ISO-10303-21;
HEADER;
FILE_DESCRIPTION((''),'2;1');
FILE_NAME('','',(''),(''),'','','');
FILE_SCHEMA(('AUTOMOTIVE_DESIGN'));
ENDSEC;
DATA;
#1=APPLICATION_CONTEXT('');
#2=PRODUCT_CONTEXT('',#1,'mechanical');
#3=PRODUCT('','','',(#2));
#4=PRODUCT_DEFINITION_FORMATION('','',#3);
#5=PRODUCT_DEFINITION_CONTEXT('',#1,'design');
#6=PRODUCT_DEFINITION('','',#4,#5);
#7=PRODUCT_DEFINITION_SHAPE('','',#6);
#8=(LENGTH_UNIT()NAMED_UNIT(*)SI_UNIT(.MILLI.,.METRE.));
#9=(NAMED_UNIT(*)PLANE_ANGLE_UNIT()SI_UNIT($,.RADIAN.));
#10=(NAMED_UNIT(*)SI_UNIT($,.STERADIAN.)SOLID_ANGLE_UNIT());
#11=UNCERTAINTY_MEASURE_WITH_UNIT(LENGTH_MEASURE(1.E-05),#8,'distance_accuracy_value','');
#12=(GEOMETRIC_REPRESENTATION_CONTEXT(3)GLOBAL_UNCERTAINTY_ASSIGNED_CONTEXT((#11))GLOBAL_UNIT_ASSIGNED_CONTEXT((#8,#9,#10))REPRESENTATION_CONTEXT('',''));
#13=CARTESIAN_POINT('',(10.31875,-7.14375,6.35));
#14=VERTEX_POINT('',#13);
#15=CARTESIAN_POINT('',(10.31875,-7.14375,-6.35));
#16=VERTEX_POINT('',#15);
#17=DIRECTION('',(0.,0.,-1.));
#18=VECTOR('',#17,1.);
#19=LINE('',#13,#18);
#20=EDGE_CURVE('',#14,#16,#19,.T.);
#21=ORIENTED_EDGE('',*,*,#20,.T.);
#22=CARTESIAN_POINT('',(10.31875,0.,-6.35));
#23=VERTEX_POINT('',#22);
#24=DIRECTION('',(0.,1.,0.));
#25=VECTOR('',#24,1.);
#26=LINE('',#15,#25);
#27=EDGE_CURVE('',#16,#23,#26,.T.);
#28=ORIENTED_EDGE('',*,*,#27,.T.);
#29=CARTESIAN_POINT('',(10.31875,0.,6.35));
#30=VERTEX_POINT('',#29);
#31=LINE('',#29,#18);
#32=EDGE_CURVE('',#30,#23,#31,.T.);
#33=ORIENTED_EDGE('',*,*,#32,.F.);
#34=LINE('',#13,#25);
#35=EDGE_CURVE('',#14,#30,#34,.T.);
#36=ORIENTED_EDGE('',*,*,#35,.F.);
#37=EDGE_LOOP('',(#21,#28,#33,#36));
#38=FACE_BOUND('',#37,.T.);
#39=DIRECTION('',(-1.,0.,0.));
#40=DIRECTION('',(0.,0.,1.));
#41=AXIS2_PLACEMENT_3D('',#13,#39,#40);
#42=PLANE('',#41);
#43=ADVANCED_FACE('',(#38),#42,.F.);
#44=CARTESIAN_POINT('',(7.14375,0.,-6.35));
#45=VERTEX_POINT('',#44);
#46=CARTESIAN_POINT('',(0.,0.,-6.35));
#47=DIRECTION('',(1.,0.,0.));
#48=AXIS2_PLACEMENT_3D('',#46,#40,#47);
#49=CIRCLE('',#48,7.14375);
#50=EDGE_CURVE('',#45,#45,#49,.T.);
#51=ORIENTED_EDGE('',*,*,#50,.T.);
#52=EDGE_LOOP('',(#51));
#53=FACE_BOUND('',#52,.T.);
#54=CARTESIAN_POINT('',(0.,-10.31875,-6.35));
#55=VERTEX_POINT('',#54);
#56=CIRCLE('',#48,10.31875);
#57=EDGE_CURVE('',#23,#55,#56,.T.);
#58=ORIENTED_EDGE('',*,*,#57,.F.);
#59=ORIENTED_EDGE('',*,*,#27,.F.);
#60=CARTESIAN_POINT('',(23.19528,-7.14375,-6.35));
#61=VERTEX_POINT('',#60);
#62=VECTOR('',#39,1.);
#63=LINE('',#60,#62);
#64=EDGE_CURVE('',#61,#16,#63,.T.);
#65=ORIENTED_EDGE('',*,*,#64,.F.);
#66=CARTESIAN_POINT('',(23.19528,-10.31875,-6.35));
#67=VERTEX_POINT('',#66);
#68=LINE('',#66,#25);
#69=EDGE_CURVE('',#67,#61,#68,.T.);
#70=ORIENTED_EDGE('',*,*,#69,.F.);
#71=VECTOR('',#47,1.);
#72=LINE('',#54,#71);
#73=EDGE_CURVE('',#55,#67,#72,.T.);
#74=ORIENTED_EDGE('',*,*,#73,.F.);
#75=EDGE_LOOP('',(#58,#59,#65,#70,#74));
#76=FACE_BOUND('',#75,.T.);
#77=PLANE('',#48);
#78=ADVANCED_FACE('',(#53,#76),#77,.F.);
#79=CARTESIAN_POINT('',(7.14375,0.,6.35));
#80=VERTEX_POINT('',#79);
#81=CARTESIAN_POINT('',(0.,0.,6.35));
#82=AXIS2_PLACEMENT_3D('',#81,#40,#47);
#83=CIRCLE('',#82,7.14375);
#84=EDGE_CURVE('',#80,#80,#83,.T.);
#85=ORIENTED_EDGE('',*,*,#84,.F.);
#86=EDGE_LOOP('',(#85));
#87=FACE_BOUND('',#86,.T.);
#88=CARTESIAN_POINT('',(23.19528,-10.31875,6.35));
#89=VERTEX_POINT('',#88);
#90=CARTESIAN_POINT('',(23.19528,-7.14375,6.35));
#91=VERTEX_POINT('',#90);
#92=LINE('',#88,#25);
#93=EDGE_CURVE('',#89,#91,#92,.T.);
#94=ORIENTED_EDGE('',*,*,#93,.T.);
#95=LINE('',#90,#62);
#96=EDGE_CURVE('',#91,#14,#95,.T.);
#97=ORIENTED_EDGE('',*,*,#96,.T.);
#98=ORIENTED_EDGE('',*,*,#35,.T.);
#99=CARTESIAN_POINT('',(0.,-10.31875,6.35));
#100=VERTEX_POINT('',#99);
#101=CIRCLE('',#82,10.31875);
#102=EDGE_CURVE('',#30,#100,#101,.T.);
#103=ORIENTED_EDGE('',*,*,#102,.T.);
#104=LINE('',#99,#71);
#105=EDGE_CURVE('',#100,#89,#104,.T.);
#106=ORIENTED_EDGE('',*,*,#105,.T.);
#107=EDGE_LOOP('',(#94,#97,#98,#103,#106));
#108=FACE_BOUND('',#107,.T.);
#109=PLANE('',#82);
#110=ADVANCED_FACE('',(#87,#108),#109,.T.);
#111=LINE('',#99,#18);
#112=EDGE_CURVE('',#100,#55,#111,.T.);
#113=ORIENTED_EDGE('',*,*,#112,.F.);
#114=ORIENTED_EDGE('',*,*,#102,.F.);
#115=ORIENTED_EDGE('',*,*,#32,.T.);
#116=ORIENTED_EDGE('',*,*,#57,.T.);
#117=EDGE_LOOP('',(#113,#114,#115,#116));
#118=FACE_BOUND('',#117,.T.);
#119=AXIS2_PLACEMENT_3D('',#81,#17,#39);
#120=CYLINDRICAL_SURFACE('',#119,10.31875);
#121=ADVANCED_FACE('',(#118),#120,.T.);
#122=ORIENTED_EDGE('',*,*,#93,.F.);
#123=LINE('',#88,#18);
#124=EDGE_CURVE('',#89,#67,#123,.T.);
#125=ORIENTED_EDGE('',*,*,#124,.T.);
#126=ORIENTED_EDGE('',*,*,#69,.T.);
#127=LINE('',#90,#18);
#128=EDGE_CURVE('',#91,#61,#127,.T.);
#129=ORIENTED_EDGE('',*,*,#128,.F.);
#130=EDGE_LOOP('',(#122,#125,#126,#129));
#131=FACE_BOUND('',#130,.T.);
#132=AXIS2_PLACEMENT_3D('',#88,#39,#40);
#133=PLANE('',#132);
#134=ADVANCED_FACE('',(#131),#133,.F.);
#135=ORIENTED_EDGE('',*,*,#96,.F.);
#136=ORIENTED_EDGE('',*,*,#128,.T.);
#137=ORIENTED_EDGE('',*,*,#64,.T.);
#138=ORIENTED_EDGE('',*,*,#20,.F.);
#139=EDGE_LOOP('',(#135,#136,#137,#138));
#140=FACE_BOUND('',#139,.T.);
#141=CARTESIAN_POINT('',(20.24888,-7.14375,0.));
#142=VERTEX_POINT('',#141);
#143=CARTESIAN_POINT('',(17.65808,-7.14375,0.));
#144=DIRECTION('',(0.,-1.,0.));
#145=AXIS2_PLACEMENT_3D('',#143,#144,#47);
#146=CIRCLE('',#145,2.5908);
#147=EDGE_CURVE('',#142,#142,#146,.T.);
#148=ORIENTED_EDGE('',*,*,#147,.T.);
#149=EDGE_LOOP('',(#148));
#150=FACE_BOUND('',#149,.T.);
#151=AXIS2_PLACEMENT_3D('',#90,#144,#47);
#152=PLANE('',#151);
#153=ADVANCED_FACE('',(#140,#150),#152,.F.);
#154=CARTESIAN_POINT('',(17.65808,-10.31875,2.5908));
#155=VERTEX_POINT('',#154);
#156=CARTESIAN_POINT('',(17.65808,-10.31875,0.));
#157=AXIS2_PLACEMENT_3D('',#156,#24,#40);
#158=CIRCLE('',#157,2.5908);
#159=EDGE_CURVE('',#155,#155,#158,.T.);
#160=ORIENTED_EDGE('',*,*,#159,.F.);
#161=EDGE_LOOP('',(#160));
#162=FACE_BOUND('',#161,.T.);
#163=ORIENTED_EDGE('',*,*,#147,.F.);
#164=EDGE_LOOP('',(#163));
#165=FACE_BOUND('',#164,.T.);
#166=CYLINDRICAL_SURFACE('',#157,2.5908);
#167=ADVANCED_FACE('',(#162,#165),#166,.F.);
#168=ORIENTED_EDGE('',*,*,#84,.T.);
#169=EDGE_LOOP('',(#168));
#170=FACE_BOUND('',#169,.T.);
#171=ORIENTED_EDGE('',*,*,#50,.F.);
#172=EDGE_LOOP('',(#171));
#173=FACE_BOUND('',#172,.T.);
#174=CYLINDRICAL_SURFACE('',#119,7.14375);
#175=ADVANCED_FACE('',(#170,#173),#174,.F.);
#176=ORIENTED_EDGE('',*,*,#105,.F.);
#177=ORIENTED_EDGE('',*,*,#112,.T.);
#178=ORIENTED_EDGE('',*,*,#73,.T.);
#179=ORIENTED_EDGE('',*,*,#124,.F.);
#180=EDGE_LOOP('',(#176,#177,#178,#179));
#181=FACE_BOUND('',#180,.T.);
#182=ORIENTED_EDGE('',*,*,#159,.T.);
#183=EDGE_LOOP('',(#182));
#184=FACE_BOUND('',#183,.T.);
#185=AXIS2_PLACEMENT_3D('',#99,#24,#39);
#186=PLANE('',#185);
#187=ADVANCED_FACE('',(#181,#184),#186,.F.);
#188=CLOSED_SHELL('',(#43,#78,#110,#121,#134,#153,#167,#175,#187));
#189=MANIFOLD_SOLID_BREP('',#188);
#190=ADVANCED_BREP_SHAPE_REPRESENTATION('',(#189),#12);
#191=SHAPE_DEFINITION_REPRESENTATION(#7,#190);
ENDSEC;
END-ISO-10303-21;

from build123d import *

# Parameters (mm, degrees)
SKETCH1_R           = 7.14375
BOSS_EXTRUDE1_DEPTH = 6.35
SKETCH2_R           = 2.5908
CUT_EXTRUDE1_DEPTH  = 11.31875


with BuildPart() as part:
    # Sketch1 → Boss-Extrude1 (new body, symmetric)
    with BuildSketch(Plane.XY):
        with BuildLine():
            Line((0, -10.31875), (23.19528, -10.31875))
            Line((23.19528, -10.31875), (23.19528, -7.14375))
            Line((23.19528, -7.14375), (10.31875, -7.14375))
            Line((10.31875, -7.14375), (10.31875, 0))
            ThreePointArc((10.31875, 0), (-7.296458098, 7.296458098), (0, -10.31875))
        make_face()
        Circle(SKETCH1_R, mode=Mode.SUBTRACT)
    extrude(amount=BOSS_EXTRUDE1_DEPTH, both=True)

    # Sketch2 → Cut-Extrude1 (cut, through all)
    with BuildSketch(Plane(origin=(0, 0, 0), x_dir=(1, 0, 0), z_dir=(0, 1, 0))):
        with Locations(Location((17.65808, 0, 0), (0, 0, 270))):  # turned: the seam where the file's is
            Circle(SKETCH2_R)
    extrude(amount=-CUT_EXTRUDE1_DEPTH, mode=Mode.SUBTRACT)


solid = part.part
